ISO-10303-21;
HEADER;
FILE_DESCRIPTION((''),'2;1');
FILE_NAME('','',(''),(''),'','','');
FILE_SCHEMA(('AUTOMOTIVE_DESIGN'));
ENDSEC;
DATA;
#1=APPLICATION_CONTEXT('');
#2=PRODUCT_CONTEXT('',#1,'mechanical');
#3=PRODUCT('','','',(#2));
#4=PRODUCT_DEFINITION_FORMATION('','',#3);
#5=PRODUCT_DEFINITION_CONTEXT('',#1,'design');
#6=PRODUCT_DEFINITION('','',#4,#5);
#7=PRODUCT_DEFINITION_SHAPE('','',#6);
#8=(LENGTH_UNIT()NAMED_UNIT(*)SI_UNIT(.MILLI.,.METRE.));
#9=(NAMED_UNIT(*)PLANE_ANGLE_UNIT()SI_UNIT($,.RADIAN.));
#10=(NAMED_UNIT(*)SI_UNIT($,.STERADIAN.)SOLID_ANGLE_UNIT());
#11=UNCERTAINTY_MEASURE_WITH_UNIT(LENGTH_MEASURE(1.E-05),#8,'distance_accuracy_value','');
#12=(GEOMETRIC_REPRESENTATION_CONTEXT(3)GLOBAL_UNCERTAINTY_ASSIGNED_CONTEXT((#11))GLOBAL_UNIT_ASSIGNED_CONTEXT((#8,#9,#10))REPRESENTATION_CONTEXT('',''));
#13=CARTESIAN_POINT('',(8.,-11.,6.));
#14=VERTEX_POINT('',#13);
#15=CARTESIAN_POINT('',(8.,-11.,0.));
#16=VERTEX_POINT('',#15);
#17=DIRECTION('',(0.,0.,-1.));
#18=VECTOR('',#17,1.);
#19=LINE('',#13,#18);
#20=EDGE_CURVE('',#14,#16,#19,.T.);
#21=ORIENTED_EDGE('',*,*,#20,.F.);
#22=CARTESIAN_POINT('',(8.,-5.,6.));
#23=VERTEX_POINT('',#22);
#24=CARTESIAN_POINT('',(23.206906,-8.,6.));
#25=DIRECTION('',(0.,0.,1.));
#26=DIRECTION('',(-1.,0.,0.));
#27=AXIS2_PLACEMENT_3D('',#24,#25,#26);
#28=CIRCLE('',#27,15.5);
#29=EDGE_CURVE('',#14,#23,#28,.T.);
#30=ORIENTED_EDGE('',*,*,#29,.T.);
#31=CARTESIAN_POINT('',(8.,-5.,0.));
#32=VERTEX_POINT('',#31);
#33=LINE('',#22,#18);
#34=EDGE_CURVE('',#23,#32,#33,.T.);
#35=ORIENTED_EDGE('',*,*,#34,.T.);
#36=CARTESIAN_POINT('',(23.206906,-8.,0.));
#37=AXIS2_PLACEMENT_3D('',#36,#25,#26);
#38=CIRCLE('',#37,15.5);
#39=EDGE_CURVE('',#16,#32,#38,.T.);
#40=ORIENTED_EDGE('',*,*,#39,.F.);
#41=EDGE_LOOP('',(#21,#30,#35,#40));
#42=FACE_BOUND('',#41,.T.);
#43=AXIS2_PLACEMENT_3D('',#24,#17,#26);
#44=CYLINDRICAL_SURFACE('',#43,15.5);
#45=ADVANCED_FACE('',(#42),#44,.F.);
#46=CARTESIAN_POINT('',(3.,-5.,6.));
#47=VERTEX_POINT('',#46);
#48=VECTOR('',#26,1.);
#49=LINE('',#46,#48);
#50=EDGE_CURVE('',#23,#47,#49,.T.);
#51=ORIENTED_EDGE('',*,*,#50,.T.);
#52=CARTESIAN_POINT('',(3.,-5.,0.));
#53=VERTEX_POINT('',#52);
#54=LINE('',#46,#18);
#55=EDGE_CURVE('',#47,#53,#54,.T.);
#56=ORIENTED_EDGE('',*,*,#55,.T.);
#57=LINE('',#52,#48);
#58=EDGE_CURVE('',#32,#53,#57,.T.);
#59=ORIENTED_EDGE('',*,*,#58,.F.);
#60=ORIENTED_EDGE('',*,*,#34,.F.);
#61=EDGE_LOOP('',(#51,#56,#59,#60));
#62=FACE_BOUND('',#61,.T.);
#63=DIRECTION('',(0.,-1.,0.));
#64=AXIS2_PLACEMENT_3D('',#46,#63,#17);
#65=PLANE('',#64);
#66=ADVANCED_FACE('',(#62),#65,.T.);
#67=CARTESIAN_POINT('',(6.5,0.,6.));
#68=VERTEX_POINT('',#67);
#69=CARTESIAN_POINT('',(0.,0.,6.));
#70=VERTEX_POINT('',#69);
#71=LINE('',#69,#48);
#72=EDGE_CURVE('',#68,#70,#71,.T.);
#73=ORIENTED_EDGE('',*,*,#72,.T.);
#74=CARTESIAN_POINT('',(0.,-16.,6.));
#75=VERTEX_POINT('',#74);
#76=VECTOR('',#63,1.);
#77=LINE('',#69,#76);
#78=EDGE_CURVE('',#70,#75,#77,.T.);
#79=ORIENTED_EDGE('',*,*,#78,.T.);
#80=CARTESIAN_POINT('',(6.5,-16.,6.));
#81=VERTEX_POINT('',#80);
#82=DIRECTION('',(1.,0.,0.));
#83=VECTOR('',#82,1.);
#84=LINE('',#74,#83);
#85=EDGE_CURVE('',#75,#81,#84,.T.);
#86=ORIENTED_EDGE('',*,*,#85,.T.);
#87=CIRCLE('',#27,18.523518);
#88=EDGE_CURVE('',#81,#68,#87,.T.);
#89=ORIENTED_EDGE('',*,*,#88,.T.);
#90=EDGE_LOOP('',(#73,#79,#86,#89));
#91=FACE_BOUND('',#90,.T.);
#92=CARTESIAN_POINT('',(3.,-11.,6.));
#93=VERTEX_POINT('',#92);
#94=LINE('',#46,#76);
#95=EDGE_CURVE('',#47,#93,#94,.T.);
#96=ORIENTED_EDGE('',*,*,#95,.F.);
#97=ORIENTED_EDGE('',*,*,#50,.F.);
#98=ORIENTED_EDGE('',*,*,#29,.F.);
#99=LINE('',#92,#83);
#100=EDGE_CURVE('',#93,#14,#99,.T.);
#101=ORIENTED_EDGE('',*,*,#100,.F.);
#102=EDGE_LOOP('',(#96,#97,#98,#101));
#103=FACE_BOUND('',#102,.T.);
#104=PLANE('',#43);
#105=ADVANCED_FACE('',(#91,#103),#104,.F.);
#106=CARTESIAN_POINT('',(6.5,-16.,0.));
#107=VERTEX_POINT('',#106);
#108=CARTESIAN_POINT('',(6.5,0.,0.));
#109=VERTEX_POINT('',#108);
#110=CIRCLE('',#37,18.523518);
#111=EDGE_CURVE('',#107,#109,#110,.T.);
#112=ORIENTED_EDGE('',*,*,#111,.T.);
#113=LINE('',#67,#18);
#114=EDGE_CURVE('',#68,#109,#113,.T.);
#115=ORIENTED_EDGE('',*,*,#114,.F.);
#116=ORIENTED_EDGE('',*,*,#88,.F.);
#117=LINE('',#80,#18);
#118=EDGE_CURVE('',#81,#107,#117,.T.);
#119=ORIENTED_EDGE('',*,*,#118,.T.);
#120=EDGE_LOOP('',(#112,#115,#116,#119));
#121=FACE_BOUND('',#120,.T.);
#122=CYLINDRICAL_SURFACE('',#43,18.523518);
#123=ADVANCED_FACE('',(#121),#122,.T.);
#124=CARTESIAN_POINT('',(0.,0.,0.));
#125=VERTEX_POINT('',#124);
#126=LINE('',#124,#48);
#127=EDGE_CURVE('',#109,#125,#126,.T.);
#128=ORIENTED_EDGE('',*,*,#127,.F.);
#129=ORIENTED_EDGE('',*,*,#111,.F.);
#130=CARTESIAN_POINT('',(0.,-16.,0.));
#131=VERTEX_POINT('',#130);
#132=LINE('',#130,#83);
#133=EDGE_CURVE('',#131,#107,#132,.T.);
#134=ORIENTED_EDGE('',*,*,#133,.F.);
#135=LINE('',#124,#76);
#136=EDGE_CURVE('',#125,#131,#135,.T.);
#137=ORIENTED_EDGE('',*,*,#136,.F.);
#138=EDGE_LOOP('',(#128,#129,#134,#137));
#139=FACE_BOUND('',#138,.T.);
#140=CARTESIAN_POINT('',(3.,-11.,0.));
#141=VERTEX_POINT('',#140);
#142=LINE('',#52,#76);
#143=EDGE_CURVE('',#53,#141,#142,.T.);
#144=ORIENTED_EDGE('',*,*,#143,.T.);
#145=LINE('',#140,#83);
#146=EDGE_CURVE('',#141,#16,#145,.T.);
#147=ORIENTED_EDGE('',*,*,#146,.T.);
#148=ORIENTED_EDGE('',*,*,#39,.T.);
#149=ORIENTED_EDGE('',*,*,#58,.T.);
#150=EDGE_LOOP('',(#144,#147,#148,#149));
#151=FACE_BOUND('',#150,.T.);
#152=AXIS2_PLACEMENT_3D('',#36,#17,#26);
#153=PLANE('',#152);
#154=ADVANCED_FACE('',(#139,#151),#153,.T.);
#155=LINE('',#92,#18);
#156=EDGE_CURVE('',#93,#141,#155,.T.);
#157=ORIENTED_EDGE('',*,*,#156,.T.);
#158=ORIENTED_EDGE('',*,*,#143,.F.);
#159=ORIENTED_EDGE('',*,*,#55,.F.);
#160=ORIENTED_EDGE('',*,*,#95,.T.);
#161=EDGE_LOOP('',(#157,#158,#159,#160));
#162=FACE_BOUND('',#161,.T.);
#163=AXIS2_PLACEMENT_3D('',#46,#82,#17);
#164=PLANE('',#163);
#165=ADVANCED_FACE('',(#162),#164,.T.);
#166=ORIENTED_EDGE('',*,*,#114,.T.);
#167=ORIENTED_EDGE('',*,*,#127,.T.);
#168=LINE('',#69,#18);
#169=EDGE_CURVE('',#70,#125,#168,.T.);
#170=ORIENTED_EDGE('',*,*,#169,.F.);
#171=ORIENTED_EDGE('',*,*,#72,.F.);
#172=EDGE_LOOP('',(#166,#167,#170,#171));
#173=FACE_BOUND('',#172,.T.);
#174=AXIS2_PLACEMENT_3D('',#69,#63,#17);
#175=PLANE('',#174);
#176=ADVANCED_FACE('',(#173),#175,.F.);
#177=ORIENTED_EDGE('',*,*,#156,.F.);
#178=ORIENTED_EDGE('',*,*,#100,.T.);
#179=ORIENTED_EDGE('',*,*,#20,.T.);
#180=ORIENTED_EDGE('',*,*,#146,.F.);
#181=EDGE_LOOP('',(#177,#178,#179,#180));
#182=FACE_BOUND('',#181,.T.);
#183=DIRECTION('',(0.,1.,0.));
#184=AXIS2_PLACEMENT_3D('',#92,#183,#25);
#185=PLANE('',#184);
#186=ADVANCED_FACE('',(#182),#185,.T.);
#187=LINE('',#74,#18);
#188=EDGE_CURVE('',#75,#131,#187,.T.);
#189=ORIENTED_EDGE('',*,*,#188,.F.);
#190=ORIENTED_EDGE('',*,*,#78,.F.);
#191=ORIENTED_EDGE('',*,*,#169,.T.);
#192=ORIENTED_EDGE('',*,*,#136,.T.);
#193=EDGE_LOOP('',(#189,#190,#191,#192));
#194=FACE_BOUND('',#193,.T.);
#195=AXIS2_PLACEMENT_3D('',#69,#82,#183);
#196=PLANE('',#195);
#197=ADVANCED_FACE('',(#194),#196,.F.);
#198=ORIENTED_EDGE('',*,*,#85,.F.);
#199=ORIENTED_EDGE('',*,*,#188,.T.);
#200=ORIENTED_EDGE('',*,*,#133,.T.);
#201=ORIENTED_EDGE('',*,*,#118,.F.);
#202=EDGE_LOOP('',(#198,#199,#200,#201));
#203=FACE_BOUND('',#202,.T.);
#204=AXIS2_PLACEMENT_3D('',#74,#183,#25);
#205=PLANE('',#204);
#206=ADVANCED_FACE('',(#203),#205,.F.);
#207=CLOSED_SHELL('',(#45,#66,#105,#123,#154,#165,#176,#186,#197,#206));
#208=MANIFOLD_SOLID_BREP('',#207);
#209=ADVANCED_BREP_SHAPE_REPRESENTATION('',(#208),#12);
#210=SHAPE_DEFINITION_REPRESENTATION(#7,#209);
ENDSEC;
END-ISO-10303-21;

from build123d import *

# Parameters (mm, degrees)
BOSS_EXTRU_1_DEPTH = 6


with BuildPart() as part:
    # Esquisse1 → Boss.-Extru.1 (new body)
    with BuildSketch(Plane.XY):
        with BuildLine():
            Line((0, 0), (6.5, 0))
            ThreePointArc((6.5, 0), (41.730424323, -8), (6.5, -16))
            Line((6.5, -16), (0, -16))
            Line((0, -16), (0, 0))
        make_face()
        with BuildLine():
            Line((3, -5), (8, -5))
            ThreePointArc((8, -5), (38.706906326, -8), (8, -11))
            Line((8, -11), (3, -11))
            Line((3, -11), (3, -5))
        make_face(mode=Mode.SUBTRACT)
    extrude(amount=BOSS_EXTRU_1_DEPTH)


solid = part.part
